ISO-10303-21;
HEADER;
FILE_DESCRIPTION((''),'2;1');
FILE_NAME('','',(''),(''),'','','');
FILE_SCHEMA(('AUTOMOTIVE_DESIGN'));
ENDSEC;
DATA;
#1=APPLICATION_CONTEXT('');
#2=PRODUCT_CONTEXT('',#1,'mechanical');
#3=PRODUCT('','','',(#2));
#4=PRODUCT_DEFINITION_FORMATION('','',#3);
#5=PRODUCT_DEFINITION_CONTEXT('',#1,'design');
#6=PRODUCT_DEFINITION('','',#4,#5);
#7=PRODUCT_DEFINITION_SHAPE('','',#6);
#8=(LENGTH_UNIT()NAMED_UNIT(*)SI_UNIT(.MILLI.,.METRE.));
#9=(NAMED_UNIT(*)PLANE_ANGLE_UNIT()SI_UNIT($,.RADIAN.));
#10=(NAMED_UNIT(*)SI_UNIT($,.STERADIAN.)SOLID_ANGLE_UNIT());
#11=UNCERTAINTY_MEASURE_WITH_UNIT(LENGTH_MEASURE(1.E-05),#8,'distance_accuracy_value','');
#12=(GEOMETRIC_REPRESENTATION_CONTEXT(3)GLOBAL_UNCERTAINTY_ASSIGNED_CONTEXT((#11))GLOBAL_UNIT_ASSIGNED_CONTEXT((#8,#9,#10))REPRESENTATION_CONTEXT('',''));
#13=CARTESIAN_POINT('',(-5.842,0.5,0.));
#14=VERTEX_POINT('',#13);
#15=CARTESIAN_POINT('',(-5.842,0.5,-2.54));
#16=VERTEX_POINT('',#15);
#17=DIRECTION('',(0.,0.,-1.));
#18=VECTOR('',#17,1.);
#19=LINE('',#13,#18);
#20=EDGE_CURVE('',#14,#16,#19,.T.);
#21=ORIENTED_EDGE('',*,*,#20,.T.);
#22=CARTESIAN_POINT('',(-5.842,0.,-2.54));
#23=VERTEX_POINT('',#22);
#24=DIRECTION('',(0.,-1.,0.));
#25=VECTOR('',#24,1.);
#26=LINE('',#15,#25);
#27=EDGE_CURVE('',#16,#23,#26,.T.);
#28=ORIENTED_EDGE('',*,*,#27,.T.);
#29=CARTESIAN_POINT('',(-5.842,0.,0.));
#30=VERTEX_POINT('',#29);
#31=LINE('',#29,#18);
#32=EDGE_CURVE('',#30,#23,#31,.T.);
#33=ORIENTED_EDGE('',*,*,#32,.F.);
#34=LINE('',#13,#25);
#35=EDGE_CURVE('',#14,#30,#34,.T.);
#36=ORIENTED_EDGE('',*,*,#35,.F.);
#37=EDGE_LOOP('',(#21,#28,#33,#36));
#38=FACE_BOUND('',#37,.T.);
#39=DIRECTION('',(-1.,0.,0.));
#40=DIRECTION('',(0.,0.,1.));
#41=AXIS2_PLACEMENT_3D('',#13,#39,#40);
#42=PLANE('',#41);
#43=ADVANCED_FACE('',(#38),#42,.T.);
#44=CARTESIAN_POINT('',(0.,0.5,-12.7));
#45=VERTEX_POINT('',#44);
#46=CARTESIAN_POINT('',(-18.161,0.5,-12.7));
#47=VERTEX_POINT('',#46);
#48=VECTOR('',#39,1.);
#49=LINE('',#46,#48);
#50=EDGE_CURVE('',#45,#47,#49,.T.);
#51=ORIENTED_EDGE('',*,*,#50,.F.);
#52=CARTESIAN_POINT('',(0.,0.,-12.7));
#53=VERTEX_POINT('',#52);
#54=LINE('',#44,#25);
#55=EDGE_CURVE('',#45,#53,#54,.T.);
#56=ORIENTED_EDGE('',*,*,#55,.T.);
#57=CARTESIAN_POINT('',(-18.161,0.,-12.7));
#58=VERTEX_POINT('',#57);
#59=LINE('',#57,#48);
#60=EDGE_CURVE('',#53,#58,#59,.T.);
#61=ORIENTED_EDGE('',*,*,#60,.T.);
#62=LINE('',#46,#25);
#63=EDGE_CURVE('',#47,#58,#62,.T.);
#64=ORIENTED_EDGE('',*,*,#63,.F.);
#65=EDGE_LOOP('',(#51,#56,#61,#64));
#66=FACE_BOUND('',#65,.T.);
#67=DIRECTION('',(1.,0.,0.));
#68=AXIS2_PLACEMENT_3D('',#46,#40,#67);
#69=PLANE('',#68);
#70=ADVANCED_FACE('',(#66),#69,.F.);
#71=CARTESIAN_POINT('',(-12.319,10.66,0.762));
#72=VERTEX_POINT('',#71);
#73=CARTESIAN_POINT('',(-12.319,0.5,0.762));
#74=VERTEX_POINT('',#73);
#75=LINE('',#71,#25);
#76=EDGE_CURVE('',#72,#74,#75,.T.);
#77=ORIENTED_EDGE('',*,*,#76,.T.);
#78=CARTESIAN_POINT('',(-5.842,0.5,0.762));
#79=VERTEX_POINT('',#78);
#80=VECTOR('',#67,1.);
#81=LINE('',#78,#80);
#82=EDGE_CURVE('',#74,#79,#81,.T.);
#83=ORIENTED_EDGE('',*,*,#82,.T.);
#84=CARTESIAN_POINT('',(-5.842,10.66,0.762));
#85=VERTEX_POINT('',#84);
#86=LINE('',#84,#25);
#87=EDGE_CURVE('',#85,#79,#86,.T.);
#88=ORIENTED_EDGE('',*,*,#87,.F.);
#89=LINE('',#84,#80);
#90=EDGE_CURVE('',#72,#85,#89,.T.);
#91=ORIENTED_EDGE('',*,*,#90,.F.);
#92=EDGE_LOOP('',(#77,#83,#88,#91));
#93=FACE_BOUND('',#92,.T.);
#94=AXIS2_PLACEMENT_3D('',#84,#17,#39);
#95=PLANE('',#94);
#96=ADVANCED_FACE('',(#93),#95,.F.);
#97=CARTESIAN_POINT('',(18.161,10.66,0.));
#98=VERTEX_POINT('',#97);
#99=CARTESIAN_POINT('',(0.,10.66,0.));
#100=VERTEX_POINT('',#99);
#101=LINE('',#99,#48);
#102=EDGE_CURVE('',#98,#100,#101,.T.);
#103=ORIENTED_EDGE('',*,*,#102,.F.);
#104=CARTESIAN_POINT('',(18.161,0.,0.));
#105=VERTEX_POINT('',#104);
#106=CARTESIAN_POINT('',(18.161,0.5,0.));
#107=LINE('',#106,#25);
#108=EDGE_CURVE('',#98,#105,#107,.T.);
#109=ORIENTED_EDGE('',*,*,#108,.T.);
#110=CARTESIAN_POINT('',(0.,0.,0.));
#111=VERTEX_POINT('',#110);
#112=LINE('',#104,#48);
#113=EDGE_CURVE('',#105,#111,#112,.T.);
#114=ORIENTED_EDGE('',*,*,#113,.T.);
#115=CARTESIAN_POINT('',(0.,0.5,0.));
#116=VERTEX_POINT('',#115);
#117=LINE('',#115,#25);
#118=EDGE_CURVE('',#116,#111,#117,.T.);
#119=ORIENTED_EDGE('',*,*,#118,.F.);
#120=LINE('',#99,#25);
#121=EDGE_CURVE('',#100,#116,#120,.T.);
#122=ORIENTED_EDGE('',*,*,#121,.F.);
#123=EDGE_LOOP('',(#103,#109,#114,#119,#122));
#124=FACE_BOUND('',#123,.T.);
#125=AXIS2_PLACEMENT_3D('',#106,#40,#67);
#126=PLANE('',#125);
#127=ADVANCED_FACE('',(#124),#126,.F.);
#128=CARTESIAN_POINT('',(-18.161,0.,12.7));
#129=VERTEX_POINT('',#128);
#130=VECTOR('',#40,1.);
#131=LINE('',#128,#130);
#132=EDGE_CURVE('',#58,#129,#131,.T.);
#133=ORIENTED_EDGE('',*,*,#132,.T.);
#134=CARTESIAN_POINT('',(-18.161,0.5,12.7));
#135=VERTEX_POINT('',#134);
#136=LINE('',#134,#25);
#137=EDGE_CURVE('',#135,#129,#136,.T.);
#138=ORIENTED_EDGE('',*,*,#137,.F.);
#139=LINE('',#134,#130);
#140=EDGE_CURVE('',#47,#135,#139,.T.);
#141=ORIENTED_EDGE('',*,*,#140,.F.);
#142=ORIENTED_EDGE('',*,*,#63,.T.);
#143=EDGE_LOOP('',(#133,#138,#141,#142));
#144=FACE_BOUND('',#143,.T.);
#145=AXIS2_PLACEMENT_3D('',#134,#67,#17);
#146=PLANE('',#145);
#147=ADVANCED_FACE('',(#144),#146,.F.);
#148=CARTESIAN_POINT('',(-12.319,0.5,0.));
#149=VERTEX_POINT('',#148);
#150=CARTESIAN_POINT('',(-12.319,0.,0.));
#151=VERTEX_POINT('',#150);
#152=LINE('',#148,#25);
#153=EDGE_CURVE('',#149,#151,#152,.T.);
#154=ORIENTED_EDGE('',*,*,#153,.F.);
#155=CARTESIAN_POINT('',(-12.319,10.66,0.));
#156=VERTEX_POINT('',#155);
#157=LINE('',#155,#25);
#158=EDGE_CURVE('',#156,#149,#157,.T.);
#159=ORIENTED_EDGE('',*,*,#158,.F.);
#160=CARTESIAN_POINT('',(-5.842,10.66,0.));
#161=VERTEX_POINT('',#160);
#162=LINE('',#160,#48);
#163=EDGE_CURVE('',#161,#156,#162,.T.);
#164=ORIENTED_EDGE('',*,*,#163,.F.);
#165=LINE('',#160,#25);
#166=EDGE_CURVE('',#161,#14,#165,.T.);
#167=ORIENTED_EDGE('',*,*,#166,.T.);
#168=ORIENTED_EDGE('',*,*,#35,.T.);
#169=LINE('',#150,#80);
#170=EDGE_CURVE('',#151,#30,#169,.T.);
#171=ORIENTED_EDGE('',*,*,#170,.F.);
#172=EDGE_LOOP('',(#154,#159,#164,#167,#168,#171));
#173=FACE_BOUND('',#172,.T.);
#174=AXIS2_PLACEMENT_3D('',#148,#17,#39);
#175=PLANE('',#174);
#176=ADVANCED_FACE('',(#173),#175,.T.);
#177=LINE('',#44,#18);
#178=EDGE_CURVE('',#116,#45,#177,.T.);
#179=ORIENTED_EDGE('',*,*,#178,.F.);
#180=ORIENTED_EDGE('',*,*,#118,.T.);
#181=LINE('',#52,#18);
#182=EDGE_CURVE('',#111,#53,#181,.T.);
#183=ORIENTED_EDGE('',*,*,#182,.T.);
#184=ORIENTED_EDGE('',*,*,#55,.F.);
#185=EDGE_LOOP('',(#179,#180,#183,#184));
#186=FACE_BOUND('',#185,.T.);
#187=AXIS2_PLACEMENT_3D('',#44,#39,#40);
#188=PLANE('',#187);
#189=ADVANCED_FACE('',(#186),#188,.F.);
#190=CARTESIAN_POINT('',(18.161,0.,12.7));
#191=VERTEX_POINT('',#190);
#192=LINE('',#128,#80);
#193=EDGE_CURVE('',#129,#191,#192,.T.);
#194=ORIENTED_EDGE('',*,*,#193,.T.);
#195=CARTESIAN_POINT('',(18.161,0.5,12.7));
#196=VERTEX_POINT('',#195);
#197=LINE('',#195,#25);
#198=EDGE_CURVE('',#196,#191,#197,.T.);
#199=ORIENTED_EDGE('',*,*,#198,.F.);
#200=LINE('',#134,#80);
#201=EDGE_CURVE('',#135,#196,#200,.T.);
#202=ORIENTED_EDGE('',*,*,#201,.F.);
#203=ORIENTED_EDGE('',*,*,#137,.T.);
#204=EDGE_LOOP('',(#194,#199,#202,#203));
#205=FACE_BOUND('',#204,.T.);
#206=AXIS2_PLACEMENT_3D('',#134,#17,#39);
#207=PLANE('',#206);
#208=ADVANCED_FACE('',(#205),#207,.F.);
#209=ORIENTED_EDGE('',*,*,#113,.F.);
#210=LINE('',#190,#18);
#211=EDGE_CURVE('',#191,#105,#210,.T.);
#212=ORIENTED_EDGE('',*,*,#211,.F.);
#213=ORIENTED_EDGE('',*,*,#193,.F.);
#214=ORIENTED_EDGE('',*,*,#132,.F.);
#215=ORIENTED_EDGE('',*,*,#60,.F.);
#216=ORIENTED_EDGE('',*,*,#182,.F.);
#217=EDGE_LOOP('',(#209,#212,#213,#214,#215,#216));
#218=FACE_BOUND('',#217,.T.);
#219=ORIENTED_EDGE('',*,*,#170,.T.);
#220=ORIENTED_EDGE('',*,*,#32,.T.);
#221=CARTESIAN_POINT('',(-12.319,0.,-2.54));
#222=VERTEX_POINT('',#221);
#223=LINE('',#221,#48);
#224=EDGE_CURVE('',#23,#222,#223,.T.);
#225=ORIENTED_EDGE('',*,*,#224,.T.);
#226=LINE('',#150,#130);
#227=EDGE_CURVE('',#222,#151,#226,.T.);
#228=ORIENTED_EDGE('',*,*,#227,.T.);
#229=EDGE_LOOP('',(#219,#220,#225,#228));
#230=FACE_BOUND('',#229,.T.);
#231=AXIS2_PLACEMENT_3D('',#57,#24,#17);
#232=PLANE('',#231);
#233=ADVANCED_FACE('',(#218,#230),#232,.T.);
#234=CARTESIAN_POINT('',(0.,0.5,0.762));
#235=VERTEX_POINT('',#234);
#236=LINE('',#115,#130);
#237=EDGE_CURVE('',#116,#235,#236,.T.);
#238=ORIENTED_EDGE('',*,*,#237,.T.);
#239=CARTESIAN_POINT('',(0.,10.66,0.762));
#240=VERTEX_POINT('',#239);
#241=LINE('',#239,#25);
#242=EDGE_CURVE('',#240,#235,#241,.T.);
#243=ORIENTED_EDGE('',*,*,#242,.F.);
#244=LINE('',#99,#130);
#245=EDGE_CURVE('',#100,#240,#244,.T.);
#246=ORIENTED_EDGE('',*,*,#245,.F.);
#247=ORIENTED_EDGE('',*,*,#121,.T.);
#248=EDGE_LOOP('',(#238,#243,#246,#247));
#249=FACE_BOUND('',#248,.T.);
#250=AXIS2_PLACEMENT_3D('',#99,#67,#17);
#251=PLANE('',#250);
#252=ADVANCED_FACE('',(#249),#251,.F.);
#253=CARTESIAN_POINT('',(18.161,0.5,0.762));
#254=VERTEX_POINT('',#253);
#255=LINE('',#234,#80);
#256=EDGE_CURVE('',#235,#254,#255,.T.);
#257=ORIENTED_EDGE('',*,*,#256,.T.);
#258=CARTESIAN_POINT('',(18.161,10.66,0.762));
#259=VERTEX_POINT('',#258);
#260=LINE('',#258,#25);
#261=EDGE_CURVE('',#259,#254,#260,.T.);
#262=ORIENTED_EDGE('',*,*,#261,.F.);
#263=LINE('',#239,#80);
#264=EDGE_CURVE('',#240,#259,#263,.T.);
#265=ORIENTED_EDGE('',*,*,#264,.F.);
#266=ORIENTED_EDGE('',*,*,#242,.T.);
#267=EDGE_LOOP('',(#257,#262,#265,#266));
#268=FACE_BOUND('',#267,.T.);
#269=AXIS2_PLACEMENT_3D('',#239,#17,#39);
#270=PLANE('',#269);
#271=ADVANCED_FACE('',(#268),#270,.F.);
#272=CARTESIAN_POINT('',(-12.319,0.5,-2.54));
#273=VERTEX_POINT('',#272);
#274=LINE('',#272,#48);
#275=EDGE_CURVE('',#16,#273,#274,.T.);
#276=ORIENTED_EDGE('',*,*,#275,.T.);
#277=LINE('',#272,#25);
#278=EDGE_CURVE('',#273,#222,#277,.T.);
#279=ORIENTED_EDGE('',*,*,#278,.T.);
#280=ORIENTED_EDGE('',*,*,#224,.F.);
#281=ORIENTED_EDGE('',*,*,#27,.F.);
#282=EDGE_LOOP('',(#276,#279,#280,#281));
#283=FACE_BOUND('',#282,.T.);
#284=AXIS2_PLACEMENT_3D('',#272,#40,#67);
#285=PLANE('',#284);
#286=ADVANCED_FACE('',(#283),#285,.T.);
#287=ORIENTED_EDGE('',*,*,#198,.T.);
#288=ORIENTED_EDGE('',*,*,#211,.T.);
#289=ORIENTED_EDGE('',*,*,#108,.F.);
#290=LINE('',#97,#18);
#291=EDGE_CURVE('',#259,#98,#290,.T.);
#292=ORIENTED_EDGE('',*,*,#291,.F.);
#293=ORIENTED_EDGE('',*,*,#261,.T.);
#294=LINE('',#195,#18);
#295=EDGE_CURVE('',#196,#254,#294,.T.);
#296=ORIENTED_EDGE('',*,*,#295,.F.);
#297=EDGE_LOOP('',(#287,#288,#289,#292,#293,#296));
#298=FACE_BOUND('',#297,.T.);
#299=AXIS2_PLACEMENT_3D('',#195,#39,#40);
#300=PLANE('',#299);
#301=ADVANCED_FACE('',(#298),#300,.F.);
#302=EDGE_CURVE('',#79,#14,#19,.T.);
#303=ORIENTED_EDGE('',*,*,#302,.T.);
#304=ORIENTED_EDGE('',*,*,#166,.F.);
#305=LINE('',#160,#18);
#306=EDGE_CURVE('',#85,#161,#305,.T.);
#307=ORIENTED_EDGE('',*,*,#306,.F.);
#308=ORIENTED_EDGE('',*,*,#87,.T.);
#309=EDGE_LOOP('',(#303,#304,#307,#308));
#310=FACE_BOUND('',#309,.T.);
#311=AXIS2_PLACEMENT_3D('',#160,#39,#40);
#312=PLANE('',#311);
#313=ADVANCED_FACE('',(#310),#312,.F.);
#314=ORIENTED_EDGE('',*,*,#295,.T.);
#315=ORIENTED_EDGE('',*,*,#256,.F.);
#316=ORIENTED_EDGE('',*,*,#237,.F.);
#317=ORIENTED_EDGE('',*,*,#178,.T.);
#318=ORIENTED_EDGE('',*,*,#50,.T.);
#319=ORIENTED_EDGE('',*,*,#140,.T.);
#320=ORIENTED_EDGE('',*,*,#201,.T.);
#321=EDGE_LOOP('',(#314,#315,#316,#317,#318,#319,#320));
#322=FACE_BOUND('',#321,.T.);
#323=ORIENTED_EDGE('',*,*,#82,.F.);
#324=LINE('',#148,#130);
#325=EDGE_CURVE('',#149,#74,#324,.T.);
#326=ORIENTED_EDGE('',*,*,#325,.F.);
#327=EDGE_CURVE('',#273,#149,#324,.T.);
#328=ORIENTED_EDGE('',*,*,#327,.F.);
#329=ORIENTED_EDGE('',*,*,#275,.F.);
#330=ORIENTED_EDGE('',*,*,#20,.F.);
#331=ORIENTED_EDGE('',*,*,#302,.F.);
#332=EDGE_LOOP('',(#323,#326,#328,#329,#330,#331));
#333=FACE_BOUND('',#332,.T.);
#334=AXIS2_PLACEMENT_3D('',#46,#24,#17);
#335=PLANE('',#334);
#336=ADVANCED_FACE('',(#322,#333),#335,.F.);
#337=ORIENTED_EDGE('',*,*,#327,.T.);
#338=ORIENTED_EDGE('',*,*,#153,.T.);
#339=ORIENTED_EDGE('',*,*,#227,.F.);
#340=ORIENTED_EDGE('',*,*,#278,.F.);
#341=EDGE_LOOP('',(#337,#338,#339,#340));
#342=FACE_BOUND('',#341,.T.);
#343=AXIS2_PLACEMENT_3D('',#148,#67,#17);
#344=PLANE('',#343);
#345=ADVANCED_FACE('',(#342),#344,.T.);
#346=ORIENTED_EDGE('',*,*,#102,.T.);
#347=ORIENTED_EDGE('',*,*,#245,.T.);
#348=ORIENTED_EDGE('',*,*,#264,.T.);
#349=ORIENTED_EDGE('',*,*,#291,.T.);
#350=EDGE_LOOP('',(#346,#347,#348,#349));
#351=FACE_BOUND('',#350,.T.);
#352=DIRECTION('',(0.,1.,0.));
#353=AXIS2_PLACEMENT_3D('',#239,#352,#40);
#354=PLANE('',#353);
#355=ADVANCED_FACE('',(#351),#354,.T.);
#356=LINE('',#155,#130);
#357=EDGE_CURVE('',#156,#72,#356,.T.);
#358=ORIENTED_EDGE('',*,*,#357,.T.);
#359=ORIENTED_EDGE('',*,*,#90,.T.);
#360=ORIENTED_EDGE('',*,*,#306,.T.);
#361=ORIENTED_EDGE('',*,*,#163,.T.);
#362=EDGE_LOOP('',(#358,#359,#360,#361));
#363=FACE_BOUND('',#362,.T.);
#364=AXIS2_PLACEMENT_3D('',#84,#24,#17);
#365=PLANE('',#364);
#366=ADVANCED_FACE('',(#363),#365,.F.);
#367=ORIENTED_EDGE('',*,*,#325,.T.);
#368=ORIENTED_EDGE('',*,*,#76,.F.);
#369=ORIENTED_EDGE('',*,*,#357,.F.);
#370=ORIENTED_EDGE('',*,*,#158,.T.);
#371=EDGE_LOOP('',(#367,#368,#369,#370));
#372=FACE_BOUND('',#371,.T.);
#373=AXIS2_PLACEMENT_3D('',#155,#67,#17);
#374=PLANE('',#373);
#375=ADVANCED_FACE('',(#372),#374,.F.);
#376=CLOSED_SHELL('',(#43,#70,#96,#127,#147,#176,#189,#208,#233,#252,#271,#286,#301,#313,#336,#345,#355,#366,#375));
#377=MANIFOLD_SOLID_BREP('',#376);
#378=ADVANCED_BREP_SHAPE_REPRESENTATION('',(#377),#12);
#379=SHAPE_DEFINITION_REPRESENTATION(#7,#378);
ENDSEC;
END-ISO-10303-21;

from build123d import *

# Parameters (mm, degrees)
SKETCH1_W           = 6.477
SKETCH1_H           = 2.54
BOSS_EXTRUDE1_DEPTH = 0.5
SKETCH2_W           = 6.477
SKETCH2_H           = 0.762
SKETCH2_W_2         = 18.161
BOSS_EXTRUDE2_DEPTH = 10.16


with BuildPart() as part:
    # Sketch1 → Boss-Extrude1 (new body)
    with BuildSketch(Plane(origin=(0, 0, 0), x_dir=(1, 0, 0), z_dir=(0, 1, 0))):
        Polygon((-18.161, -12.7), (18.161, -12.7), (18.161, 0), (0, 0), (0, 12.7), (-18.161, 12.7), align=None)
        with Locations((-9.0805, 1.27)):
            Rectangle(SKETCH1_W, SKETCH1_H, mode=Mode.SUBTRACT)
    extrude(amount=BOSS_EXTRUDE1_DEPTH)

    # Sketch2 → Boss-Extrude2 (add)
    with BuildSketch(Plane(origin=(0, 0.5, 0), x_dir=(1, 0, 0), z_dir=(0, 1, 0))):
        with Locations((-9.0805, -0.381)):
            Rectangle(SKETCH2_W, SKETCH2_H)
        with Locations((9.0805, -0.381)):
            Rectangle(SKETCH2_W_2, SKETCH2_H)
    extrude(amount=BOSS_EXTRUDE2_DEPTH)


solid = part.part
